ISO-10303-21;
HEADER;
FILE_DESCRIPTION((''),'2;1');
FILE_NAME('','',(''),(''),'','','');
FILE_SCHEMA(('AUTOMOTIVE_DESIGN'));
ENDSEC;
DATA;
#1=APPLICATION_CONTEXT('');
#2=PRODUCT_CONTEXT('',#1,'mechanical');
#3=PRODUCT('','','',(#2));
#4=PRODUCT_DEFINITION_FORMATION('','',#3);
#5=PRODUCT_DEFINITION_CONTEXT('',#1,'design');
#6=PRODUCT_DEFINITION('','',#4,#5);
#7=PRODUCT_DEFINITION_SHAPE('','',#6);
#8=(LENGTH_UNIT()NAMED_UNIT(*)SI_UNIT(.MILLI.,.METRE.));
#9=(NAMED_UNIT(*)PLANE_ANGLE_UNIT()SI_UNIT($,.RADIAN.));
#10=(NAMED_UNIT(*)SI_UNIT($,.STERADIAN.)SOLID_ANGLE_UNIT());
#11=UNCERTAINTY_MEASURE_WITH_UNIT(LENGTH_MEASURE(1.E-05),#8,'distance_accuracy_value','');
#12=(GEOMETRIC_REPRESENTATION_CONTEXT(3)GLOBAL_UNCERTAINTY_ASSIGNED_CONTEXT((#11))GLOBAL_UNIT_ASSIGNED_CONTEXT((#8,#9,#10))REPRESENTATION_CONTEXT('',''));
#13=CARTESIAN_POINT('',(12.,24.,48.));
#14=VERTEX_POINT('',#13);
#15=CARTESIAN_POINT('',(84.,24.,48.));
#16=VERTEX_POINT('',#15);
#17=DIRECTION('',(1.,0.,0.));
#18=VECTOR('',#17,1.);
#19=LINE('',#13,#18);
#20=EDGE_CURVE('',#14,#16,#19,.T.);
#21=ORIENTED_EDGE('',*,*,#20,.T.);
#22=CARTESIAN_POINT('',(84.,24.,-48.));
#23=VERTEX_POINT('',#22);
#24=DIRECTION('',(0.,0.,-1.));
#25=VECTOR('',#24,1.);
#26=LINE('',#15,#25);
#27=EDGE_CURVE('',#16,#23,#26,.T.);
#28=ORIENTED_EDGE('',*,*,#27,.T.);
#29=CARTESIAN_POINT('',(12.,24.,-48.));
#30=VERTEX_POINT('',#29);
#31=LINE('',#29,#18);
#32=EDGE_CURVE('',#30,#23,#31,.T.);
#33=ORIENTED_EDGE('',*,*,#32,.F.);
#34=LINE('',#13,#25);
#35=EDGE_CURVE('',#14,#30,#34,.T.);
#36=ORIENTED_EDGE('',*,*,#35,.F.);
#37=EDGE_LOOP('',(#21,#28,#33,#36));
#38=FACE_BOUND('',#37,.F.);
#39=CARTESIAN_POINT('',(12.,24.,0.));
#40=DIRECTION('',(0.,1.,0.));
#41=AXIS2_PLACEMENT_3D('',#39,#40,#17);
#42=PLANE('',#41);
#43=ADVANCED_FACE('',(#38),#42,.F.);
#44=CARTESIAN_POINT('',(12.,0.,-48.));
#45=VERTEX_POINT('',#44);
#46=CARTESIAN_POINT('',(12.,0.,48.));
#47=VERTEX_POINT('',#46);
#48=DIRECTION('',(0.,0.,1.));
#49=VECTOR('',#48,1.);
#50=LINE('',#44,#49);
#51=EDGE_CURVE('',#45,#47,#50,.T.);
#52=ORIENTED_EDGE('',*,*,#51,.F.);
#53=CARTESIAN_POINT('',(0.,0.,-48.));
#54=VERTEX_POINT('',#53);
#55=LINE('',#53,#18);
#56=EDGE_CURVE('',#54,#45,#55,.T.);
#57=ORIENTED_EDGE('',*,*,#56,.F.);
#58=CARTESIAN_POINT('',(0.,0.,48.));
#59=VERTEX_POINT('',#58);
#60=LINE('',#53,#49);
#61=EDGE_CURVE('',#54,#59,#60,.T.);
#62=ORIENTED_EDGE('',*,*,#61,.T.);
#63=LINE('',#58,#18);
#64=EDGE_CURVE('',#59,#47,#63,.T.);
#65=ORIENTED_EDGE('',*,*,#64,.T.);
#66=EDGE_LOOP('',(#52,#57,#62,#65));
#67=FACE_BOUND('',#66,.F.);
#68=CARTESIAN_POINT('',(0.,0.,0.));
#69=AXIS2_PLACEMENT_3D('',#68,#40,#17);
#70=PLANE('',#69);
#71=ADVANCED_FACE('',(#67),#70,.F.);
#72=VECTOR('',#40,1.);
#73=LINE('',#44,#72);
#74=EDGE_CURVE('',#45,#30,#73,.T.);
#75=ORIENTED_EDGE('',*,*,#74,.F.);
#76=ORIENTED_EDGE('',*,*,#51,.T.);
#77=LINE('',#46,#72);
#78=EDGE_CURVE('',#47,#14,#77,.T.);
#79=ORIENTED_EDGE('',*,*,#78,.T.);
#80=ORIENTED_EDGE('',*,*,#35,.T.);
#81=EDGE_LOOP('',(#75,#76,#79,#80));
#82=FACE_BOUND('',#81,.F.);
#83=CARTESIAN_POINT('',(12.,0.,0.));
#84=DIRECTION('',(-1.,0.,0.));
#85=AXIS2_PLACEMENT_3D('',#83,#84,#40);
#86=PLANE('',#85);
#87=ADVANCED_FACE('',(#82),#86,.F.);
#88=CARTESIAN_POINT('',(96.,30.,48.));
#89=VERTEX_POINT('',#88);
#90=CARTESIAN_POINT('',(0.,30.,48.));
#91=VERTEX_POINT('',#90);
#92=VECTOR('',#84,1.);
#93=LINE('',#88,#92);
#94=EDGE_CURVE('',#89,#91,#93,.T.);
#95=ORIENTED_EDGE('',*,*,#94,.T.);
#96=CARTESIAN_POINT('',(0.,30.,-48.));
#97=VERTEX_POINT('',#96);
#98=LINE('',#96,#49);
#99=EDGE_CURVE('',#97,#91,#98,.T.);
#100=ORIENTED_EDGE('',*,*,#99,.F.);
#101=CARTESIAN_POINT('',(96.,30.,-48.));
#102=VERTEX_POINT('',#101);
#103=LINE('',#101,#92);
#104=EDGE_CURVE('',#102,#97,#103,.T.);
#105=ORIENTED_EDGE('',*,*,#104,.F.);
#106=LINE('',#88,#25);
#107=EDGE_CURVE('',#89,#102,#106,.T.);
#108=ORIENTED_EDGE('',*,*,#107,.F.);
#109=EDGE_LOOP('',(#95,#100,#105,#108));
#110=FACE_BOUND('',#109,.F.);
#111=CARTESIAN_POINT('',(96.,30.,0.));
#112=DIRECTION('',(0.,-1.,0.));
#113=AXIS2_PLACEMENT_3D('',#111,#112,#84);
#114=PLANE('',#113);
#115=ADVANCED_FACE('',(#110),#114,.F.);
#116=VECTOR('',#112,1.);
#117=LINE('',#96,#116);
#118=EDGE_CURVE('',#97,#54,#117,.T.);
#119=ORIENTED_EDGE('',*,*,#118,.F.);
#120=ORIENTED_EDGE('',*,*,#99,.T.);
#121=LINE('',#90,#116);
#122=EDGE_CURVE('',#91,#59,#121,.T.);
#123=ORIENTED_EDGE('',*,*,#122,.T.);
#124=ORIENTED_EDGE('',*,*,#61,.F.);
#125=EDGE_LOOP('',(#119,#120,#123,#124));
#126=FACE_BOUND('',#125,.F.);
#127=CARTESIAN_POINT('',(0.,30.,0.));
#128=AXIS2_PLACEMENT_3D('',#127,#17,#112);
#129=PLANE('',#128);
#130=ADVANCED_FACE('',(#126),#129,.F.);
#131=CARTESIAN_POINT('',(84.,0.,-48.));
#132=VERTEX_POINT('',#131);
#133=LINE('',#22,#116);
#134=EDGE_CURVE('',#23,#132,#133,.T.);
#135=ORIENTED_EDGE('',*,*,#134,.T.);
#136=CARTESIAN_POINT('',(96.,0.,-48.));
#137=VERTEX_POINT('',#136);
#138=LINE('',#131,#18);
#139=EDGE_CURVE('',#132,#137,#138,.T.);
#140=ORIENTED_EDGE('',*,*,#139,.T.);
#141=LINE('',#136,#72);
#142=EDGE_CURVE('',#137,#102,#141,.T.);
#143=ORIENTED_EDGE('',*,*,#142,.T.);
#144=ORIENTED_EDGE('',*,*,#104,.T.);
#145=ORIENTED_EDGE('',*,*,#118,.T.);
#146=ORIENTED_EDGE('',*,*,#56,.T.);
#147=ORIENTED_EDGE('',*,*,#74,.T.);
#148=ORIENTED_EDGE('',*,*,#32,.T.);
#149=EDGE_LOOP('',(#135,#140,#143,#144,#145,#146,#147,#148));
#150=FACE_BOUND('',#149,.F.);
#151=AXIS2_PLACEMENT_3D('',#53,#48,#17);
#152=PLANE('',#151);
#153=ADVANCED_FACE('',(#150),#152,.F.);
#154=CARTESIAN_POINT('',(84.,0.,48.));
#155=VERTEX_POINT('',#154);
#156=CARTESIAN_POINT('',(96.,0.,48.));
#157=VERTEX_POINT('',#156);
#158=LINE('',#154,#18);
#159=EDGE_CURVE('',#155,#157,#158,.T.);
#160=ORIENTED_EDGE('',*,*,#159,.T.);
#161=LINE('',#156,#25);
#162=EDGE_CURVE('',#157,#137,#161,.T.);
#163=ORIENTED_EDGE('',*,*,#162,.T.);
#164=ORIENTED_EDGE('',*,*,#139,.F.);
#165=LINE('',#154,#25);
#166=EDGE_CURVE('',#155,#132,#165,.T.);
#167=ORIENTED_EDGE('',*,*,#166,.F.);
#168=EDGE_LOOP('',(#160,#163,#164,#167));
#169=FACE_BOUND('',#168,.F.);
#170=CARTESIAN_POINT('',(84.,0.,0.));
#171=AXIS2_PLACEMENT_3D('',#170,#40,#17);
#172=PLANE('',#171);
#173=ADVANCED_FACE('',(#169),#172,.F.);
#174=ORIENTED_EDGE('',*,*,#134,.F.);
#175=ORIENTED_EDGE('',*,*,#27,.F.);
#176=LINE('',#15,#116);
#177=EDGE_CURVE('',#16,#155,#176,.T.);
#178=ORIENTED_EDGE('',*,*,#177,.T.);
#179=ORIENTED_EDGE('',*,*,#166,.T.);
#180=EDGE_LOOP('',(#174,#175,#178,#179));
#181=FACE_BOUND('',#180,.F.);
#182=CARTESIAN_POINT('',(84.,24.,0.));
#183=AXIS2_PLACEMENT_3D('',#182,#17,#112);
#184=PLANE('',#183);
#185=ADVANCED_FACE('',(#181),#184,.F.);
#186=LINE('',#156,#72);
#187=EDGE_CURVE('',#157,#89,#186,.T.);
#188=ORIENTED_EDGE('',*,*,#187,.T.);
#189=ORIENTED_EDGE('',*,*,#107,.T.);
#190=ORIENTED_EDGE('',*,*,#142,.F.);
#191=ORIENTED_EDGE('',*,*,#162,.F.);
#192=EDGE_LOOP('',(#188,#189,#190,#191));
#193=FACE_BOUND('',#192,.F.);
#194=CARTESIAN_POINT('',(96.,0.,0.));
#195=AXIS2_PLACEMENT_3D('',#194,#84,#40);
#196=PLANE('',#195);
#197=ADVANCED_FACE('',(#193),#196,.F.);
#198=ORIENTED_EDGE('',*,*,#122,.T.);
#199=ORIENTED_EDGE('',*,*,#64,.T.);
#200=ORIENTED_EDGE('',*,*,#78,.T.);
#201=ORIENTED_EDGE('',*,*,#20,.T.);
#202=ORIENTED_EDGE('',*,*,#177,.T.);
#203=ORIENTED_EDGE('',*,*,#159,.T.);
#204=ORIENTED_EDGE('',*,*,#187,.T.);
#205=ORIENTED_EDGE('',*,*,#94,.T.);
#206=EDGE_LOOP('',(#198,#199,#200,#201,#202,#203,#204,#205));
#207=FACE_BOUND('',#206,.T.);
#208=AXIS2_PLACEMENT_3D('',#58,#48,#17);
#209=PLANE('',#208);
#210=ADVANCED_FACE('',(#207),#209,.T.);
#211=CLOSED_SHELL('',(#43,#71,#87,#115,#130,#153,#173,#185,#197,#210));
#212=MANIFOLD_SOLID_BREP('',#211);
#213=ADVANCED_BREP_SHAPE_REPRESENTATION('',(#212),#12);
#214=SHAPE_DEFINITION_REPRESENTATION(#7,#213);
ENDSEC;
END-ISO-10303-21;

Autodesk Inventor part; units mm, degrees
sketch "草圖2" plane through (0, 0, 0) normal (0, 0, 1) x (1, 0, 0)
  line L0 (0, 30) -> (0, 0)
  line L1 (0, 0) -> (12, 0)
  line L2 (12, 0) -> (12, 24)
  line L3 (12, 24) -> (84, 24)
  line L4 (84, 24) -> (84, 0)
  line L5 (84, 0) -> (96, 0)
  line L6 (96, 0) -> (96, 30)
  line L7 (96, 30) -> (0, 30)
  dimension "d11" = 12
  dimension "d12" = 6
  dimension "d14" = 96
  dimension "d17" = 24
extrude "擠出2" add sketch "草圖2" along normal mid plane 96
ref_plane "工作平面1" through (96, 0, 48) normal (0.0872, 0, 0.9962) x (0, 1, 0)
ref_plane "工作平面2" through (96, 0, 48) normal (0.9962, 0, -0.0872) x (0, 1, 0)
ref_plane "工作平面3" through (48, 0, 48) normal (-1, 0, 0) x (0, 0, 1)
equation "\"d11\" = leg_length"
equation "\"d12\" = thickness"
equation "\"d14\" = width"
equation "\"d17\" = height"
equation "\"d15\" = length"
equation "\"width\" = 80 * ratio"
equation "\"height\" = 20 * ratio"
equation "\"length\" = width"
equation "\"leg_length\" = ratio"
equation "\"ratio\" = 1.2"
equation "\"thickness\" = 5 * ratio"
properties part number "bridge_rect_final_12"
